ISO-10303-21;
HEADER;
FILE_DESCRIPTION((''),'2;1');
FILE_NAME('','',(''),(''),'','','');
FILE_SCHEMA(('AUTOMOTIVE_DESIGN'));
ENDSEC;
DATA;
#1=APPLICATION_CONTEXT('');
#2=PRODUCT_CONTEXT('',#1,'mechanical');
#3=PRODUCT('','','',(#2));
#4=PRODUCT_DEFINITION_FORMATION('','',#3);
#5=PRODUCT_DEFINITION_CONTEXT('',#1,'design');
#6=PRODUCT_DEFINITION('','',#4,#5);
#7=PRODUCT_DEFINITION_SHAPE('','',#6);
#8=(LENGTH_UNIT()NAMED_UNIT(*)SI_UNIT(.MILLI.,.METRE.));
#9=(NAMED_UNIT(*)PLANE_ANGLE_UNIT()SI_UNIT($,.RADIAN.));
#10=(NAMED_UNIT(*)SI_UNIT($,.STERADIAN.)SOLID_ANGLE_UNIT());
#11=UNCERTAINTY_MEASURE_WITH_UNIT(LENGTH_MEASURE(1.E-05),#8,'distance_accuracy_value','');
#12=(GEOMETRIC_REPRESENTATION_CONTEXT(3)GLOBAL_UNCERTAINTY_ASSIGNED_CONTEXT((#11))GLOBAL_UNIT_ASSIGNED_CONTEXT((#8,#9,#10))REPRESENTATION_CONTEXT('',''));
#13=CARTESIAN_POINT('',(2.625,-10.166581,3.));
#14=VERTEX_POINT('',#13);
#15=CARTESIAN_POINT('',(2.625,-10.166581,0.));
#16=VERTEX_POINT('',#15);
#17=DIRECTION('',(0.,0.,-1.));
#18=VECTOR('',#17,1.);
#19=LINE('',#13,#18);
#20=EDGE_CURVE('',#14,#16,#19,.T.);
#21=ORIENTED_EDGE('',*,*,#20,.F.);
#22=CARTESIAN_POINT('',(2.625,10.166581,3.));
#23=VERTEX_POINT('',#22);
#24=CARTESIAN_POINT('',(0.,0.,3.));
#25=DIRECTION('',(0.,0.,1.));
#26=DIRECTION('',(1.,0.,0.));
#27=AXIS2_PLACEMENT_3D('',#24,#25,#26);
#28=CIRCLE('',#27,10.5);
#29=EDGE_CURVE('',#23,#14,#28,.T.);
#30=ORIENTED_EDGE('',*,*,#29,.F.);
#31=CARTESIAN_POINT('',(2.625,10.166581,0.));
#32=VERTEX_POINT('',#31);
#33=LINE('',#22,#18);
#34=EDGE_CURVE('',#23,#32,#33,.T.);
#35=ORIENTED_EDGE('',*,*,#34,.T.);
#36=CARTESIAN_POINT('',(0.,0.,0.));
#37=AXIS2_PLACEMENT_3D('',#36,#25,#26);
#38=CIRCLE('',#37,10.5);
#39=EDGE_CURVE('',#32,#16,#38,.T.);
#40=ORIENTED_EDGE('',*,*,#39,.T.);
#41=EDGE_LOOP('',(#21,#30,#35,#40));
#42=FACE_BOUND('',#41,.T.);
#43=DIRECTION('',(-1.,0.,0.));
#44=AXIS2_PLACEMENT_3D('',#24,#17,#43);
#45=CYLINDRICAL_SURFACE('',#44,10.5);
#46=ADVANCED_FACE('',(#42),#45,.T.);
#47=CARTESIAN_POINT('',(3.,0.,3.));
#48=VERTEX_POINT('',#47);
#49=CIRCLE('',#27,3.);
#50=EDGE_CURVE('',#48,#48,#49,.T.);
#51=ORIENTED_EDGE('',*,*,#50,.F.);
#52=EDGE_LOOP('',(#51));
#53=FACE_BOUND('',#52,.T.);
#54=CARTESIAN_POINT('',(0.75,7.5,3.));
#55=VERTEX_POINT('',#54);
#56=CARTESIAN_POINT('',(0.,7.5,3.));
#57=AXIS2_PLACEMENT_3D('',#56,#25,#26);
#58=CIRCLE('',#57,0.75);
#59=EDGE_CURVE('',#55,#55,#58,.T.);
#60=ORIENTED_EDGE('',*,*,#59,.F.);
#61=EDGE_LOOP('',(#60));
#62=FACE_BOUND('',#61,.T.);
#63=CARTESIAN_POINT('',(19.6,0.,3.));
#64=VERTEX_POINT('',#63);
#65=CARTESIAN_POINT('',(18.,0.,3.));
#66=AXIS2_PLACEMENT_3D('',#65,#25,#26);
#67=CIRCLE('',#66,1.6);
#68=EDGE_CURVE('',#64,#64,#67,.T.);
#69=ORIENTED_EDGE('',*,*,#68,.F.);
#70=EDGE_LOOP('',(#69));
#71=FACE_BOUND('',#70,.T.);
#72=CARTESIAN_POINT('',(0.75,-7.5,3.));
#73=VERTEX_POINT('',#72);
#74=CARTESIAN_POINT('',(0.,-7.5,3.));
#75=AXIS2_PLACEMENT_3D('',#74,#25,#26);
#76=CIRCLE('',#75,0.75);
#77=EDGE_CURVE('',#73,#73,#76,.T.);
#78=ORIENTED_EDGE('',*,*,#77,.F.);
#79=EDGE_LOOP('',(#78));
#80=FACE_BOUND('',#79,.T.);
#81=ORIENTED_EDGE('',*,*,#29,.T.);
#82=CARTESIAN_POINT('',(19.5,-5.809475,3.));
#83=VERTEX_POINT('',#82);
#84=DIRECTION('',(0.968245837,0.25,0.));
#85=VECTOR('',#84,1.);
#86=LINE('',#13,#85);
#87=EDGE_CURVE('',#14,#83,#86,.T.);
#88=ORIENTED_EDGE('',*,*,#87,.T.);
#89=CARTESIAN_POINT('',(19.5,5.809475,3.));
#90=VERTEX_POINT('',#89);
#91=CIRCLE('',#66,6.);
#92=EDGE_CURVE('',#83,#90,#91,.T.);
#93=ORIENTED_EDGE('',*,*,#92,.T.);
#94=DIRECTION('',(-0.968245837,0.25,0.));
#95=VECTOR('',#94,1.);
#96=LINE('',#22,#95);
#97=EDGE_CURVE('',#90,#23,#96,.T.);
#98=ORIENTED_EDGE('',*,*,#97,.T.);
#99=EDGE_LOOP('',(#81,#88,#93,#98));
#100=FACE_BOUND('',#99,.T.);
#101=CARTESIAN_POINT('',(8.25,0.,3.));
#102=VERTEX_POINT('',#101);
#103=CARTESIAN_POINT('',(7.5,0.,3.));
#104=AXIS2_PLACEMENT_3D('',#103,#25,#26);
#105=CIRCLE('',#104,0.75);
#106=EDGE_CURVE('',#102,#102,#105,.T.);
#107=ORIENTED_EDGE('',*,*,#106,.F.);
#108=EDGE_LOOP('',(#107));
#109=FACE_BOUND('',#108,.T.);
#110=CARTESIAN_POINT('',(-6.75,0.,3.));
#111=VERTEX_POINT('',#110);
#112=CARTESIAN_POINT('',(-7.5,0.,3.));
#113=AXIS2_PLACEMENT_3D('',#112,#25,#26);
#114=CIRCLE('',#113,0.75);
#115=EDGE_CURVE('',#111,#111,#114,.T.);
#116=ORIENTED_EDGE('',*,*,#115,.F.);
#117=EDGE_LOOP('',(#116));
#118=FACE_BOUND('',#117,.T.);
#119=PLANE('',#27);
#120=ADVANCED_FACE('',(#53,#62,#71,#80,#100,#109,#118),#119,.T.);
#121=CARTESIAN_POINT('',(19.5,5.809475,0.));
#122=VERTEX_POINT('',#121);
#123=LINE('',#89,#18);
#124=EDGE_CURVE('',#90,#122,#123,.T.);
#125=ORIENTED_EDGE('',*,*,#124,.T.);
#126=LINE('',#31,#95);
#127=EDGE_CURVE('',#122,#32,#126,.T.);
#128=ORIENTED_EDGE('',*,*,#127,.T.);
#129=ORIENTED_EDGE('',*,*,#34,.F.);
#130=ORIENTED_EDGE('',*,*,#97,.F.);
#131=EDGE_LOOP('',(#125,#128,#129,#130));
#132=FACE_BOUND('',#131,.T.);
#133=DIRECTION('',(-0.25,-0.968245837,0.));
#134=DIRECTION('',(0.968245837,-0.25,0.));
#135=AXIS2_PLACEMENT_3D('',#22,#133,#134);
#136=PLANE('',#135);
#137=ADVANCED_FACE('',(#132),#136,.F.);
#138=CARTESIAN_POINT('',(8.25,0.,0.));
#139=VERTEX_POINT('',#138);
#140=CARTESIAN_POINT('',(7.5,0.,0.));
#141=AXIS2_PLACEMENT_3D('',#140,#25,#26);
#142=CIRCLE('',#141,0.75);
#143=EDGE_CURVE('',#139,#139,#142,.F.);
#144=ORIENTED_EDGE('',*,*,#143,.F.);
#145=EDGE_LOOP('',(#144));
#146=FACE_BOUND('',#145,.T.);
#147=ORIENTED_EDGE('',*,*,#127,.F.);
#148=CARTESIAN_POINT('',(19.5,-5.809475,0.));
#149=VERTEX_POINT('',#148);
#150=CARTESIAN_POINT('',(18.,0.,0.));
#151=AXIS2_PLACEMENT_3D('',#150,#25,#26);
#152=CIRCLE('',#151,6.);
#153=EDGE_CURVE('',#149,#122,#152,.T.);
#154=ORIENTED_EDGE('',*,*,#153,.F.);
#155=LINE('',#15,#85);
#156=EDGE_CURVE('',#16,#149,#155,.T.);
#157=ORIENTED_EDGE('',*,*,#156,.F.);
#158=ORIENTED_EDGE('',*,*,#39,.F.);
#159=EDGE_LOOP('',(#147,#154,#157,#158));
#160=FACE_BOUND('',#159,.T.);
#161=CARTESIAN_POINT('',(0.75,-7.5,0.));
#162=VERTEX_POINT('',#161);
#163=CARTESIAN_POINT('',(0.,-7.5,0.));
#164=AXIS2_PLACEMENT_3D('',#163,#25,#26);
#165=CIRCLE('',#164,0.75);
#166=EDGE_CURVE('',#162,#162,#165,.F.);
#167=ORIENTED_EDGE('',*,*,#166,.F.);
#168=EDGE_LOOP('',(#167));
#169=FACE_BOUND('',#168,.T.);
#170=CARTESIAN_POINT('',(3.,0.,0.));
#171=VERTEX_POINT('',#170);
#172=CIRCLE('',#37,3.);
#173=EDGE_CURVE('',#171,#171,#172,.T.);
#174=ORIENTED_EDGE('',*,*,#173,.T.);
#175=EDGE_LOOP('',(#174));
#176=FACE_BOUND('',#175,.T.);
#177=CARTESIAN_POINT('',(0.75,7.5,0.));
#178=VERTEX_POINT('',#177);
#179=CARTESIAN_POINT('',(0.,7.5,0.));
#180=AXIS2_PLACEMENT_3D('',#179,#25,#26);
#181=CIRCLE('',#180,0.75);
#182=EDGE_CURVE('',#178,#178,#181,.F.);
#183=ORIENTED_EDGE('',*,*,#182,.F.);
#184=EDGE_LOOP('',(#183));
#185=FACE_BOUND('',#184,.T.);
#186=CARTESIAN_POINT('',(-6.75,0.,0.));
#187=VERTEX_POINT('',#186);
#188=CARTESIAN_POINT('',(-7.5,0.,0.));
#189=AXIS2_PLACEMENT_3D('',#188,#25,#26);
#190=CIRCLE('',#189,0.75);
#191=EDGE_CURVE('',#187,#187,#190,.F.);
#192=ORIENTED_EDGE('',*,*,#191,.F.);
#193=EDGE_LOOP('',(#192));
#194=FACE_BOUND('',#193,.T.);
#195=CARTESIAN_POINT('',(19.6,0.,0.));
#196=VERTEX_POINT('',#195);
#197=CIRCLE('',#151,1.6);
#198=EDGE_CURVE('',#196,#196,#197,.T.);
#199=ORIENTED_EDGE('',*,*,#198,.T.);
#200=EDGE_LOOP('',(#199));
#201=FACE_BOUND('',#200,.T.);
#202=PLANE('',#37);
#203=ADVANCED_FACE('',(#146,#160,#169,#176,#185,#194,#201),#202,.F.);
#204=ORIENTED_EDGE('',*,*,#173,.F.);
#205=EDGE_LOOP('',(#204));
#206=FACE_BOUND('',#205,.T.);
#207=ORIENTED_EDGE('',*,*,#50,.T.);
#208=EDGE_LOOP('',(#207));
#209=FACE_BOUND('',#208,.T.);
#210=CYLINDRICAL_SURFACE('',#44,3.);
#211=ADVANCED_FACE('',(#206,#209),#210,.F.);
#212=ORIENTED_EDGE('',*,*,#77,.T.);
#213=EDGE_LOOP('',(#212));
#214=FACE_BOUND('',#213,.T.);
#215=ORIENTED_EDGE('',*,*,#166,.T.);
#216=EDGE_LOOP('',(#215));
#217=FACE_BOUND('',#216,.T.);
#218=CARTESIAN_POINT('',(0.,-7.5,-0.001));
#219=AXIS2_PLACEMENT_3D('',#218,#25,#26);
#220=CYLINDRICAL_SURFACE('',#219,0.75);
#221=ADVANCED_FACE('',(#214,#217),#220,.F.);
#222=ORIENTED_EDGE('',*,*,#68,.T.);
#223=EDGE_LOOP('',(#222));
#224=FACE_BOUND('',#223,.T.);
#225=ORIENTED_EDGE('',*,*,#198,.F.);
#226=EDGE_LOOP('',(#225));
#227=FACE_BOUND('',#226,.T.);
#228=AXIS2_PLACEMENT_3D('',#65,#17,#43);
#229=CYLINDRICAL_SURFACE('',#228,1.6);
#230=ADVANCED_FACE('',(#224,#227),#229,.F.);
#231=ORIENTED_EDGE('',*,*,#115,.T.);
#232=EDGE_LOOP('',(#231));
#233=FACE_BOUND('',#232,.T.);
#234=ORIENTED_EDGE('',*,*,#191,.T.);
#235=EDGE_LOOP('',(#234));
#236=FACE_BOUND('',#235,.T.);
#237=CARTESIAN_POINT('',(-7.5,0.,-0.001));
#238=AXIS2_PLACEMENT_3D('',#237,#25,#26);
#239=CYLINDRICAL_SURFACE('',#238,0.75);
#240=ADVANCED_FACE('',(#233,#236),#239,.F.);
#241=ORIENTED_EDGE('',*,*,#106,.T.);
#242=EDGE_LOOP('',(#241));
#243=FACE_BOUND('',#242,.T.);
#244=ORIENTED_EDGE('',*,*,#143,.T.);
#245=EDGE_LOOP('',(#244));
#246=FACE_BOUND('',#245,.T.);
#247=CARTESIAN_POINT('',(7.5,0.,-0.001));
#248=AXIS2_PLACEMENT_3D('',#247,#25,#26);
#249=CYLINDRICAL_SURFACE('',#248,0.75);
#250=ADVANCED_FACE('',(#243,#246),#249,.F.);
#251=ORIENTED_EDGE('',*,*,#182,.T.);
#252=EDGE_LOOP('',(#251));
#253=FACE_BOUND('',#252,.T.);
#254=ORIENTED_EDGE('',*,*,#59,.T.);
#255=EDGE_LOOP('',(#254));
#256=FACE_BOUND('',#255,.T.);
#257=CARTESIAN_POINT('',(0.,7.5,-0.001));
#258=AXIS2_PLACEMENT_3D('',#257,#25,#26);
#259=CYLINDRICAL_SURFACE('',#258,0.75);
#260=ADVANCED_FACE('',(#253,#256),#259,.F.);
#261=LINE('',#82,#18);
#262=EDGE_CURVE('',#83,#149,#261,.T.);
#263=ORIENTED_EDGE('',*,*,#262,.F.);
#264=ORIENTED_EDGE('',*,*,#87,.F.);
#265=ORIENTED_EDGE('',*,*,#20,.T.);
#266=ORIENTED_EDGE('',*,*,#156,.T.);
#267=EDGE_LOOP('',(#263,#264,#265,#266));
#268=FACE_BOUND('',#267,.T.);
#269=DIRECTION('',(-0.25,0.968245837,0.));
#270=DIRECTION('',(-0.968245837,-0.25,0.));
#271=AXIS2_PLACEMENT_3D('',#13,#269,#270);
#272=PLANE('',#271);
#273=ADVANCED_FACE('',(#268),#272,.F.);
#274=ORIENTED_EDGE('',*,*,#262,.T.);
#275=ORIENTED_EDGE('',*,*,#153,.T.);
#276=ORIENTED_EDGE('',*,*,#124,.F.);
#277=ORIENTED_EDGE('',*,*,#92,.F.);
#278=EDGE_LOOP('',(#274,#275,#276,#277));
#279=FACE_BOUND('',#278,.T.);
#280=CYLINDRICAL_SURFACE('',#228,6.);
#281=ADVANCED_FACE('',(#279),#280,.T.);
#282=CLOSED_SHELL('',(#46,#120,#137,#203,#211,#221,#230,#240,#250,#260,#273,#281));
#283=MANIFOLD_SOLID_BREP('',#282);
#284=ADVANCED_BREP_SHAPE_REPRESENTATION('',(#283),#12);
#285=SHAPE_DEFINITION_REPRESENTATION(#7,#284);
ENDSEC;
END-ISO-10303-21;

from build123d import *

# Parameters (mm, degrees)
SKETCH_1_R          = 1.6
SKETCH_1_R_2        = 3
EXTRUDE_1_DEPTH     = 3
CUT_EXTRUDE_1_REACH = 5
SKETCH_2_R          = 0.75


with BuildPart() as part:
    # 草图1 → 凸台-拉伸1 (new body)
    with BuildSketch(Plane.XY):
        with BuildLine():
            Line((2.625, 10.166581284), (19.5, 5.809475019))
            ThreePointArc((19.5, 5.809475019), (24, 0), (19.5, -5.809475019))
            Line((19.5, -5.809475019), (2.625, -10.166581284))
            ThreePointArc((2.625, -10.166581284), (-10.5, 0), (2.625, 10.166581284))
        make_face()
        with Locations((18, 0)):
            Circle(SKETCH_1_R, mode=Mode.SUBTRACT)
        Circle(SKETCH_1_R_2, mode=Mode.SUBTRACT)
    extrude(amount=EXTRUDE_1_DEPTH)

    # 草图2 → 切除-拉伸1 (cut, up to next)
    with BuildSketch(Plane.XY.offset(3), mode=Mode.PRIVATE) as cut_extrude_1_sk1:
        with Locations((0, 7.5)):
            Circle(SKETCH_2_R)
    cut_extrude_1_tool1 = extrude(cut_extrude_1_sk1.sketch, amount=-CUT_EXTRUDE_1_REACH, mode=Mode.PRIVATE) & part.part
    add(cut_extrude_1_tool1.solids().sort_by_distance((0, 7.5, 3))[0], mode=Mode.SUBTRACT)
    # 草图2 → 切除-拉伸1 (cut, up to next)
    with BuildSketch(Plane.XY.offset(3), mode=Mode.PRIVATE) as cut_extrude_1_sk2:
        with Locations((7.5, 0)):
            Circle(SKETCH_2_R)
    cut_extrude_1_tool2 = extrude(cut_extrude_1_sk2.sketch, amount=-CUT_EXTRUDE_1_REACH, mode=Mode.PRIVATE) & part.part
    add(cut_extrude_1_tool2.solids().sort_by_distance((7.5, 0, 3))[0], mode=Mode.SUBTRACT)
    # 草图2 → 切除-拉伸1 (cut, up to next)
    with BuildSketch(Plane.XY.offset(3), mode=Mode.PRIVATE) as cut_extrude_1_sk3:
        with Locations((0, -7.5)):
            Circle(SKETCH_2_R)
    cut_extrude_1_tool3 = extrude(cut_extrude_1_sk3.sketch, amount=-CUT_EXTRUDE_1_REACH, mode=Mode.PRIVATE) & part.part
    add(cut_extrude_1_tool3.solids().sort_by_distance((0, -7.5, 3))[0], mode=Mode.SUBTRACT)
    # 草图2 → 切除-拉伸1 (cut, up to next)
    with BuildSketch(Plane.XY.offset(3), mode=Mode.PRIVATE) as cut_extrude_1_sk4:
        with Locations((-7.5, 0)):
            Circle(SKETCH_2_R)
    cut_extrude_1_tool4 = extrude(cut_extrude_1_sk4.sketch, amount=-CUT_EXTRUDE_1_REACH, mode=Mode.PRIVATE) & part.part
    add(cut_extrude_1_tool4.solids().sort_by_distance((-7.5, 0, 3))[0], mode=Mode.SUBTRACT)


solid = part.part
